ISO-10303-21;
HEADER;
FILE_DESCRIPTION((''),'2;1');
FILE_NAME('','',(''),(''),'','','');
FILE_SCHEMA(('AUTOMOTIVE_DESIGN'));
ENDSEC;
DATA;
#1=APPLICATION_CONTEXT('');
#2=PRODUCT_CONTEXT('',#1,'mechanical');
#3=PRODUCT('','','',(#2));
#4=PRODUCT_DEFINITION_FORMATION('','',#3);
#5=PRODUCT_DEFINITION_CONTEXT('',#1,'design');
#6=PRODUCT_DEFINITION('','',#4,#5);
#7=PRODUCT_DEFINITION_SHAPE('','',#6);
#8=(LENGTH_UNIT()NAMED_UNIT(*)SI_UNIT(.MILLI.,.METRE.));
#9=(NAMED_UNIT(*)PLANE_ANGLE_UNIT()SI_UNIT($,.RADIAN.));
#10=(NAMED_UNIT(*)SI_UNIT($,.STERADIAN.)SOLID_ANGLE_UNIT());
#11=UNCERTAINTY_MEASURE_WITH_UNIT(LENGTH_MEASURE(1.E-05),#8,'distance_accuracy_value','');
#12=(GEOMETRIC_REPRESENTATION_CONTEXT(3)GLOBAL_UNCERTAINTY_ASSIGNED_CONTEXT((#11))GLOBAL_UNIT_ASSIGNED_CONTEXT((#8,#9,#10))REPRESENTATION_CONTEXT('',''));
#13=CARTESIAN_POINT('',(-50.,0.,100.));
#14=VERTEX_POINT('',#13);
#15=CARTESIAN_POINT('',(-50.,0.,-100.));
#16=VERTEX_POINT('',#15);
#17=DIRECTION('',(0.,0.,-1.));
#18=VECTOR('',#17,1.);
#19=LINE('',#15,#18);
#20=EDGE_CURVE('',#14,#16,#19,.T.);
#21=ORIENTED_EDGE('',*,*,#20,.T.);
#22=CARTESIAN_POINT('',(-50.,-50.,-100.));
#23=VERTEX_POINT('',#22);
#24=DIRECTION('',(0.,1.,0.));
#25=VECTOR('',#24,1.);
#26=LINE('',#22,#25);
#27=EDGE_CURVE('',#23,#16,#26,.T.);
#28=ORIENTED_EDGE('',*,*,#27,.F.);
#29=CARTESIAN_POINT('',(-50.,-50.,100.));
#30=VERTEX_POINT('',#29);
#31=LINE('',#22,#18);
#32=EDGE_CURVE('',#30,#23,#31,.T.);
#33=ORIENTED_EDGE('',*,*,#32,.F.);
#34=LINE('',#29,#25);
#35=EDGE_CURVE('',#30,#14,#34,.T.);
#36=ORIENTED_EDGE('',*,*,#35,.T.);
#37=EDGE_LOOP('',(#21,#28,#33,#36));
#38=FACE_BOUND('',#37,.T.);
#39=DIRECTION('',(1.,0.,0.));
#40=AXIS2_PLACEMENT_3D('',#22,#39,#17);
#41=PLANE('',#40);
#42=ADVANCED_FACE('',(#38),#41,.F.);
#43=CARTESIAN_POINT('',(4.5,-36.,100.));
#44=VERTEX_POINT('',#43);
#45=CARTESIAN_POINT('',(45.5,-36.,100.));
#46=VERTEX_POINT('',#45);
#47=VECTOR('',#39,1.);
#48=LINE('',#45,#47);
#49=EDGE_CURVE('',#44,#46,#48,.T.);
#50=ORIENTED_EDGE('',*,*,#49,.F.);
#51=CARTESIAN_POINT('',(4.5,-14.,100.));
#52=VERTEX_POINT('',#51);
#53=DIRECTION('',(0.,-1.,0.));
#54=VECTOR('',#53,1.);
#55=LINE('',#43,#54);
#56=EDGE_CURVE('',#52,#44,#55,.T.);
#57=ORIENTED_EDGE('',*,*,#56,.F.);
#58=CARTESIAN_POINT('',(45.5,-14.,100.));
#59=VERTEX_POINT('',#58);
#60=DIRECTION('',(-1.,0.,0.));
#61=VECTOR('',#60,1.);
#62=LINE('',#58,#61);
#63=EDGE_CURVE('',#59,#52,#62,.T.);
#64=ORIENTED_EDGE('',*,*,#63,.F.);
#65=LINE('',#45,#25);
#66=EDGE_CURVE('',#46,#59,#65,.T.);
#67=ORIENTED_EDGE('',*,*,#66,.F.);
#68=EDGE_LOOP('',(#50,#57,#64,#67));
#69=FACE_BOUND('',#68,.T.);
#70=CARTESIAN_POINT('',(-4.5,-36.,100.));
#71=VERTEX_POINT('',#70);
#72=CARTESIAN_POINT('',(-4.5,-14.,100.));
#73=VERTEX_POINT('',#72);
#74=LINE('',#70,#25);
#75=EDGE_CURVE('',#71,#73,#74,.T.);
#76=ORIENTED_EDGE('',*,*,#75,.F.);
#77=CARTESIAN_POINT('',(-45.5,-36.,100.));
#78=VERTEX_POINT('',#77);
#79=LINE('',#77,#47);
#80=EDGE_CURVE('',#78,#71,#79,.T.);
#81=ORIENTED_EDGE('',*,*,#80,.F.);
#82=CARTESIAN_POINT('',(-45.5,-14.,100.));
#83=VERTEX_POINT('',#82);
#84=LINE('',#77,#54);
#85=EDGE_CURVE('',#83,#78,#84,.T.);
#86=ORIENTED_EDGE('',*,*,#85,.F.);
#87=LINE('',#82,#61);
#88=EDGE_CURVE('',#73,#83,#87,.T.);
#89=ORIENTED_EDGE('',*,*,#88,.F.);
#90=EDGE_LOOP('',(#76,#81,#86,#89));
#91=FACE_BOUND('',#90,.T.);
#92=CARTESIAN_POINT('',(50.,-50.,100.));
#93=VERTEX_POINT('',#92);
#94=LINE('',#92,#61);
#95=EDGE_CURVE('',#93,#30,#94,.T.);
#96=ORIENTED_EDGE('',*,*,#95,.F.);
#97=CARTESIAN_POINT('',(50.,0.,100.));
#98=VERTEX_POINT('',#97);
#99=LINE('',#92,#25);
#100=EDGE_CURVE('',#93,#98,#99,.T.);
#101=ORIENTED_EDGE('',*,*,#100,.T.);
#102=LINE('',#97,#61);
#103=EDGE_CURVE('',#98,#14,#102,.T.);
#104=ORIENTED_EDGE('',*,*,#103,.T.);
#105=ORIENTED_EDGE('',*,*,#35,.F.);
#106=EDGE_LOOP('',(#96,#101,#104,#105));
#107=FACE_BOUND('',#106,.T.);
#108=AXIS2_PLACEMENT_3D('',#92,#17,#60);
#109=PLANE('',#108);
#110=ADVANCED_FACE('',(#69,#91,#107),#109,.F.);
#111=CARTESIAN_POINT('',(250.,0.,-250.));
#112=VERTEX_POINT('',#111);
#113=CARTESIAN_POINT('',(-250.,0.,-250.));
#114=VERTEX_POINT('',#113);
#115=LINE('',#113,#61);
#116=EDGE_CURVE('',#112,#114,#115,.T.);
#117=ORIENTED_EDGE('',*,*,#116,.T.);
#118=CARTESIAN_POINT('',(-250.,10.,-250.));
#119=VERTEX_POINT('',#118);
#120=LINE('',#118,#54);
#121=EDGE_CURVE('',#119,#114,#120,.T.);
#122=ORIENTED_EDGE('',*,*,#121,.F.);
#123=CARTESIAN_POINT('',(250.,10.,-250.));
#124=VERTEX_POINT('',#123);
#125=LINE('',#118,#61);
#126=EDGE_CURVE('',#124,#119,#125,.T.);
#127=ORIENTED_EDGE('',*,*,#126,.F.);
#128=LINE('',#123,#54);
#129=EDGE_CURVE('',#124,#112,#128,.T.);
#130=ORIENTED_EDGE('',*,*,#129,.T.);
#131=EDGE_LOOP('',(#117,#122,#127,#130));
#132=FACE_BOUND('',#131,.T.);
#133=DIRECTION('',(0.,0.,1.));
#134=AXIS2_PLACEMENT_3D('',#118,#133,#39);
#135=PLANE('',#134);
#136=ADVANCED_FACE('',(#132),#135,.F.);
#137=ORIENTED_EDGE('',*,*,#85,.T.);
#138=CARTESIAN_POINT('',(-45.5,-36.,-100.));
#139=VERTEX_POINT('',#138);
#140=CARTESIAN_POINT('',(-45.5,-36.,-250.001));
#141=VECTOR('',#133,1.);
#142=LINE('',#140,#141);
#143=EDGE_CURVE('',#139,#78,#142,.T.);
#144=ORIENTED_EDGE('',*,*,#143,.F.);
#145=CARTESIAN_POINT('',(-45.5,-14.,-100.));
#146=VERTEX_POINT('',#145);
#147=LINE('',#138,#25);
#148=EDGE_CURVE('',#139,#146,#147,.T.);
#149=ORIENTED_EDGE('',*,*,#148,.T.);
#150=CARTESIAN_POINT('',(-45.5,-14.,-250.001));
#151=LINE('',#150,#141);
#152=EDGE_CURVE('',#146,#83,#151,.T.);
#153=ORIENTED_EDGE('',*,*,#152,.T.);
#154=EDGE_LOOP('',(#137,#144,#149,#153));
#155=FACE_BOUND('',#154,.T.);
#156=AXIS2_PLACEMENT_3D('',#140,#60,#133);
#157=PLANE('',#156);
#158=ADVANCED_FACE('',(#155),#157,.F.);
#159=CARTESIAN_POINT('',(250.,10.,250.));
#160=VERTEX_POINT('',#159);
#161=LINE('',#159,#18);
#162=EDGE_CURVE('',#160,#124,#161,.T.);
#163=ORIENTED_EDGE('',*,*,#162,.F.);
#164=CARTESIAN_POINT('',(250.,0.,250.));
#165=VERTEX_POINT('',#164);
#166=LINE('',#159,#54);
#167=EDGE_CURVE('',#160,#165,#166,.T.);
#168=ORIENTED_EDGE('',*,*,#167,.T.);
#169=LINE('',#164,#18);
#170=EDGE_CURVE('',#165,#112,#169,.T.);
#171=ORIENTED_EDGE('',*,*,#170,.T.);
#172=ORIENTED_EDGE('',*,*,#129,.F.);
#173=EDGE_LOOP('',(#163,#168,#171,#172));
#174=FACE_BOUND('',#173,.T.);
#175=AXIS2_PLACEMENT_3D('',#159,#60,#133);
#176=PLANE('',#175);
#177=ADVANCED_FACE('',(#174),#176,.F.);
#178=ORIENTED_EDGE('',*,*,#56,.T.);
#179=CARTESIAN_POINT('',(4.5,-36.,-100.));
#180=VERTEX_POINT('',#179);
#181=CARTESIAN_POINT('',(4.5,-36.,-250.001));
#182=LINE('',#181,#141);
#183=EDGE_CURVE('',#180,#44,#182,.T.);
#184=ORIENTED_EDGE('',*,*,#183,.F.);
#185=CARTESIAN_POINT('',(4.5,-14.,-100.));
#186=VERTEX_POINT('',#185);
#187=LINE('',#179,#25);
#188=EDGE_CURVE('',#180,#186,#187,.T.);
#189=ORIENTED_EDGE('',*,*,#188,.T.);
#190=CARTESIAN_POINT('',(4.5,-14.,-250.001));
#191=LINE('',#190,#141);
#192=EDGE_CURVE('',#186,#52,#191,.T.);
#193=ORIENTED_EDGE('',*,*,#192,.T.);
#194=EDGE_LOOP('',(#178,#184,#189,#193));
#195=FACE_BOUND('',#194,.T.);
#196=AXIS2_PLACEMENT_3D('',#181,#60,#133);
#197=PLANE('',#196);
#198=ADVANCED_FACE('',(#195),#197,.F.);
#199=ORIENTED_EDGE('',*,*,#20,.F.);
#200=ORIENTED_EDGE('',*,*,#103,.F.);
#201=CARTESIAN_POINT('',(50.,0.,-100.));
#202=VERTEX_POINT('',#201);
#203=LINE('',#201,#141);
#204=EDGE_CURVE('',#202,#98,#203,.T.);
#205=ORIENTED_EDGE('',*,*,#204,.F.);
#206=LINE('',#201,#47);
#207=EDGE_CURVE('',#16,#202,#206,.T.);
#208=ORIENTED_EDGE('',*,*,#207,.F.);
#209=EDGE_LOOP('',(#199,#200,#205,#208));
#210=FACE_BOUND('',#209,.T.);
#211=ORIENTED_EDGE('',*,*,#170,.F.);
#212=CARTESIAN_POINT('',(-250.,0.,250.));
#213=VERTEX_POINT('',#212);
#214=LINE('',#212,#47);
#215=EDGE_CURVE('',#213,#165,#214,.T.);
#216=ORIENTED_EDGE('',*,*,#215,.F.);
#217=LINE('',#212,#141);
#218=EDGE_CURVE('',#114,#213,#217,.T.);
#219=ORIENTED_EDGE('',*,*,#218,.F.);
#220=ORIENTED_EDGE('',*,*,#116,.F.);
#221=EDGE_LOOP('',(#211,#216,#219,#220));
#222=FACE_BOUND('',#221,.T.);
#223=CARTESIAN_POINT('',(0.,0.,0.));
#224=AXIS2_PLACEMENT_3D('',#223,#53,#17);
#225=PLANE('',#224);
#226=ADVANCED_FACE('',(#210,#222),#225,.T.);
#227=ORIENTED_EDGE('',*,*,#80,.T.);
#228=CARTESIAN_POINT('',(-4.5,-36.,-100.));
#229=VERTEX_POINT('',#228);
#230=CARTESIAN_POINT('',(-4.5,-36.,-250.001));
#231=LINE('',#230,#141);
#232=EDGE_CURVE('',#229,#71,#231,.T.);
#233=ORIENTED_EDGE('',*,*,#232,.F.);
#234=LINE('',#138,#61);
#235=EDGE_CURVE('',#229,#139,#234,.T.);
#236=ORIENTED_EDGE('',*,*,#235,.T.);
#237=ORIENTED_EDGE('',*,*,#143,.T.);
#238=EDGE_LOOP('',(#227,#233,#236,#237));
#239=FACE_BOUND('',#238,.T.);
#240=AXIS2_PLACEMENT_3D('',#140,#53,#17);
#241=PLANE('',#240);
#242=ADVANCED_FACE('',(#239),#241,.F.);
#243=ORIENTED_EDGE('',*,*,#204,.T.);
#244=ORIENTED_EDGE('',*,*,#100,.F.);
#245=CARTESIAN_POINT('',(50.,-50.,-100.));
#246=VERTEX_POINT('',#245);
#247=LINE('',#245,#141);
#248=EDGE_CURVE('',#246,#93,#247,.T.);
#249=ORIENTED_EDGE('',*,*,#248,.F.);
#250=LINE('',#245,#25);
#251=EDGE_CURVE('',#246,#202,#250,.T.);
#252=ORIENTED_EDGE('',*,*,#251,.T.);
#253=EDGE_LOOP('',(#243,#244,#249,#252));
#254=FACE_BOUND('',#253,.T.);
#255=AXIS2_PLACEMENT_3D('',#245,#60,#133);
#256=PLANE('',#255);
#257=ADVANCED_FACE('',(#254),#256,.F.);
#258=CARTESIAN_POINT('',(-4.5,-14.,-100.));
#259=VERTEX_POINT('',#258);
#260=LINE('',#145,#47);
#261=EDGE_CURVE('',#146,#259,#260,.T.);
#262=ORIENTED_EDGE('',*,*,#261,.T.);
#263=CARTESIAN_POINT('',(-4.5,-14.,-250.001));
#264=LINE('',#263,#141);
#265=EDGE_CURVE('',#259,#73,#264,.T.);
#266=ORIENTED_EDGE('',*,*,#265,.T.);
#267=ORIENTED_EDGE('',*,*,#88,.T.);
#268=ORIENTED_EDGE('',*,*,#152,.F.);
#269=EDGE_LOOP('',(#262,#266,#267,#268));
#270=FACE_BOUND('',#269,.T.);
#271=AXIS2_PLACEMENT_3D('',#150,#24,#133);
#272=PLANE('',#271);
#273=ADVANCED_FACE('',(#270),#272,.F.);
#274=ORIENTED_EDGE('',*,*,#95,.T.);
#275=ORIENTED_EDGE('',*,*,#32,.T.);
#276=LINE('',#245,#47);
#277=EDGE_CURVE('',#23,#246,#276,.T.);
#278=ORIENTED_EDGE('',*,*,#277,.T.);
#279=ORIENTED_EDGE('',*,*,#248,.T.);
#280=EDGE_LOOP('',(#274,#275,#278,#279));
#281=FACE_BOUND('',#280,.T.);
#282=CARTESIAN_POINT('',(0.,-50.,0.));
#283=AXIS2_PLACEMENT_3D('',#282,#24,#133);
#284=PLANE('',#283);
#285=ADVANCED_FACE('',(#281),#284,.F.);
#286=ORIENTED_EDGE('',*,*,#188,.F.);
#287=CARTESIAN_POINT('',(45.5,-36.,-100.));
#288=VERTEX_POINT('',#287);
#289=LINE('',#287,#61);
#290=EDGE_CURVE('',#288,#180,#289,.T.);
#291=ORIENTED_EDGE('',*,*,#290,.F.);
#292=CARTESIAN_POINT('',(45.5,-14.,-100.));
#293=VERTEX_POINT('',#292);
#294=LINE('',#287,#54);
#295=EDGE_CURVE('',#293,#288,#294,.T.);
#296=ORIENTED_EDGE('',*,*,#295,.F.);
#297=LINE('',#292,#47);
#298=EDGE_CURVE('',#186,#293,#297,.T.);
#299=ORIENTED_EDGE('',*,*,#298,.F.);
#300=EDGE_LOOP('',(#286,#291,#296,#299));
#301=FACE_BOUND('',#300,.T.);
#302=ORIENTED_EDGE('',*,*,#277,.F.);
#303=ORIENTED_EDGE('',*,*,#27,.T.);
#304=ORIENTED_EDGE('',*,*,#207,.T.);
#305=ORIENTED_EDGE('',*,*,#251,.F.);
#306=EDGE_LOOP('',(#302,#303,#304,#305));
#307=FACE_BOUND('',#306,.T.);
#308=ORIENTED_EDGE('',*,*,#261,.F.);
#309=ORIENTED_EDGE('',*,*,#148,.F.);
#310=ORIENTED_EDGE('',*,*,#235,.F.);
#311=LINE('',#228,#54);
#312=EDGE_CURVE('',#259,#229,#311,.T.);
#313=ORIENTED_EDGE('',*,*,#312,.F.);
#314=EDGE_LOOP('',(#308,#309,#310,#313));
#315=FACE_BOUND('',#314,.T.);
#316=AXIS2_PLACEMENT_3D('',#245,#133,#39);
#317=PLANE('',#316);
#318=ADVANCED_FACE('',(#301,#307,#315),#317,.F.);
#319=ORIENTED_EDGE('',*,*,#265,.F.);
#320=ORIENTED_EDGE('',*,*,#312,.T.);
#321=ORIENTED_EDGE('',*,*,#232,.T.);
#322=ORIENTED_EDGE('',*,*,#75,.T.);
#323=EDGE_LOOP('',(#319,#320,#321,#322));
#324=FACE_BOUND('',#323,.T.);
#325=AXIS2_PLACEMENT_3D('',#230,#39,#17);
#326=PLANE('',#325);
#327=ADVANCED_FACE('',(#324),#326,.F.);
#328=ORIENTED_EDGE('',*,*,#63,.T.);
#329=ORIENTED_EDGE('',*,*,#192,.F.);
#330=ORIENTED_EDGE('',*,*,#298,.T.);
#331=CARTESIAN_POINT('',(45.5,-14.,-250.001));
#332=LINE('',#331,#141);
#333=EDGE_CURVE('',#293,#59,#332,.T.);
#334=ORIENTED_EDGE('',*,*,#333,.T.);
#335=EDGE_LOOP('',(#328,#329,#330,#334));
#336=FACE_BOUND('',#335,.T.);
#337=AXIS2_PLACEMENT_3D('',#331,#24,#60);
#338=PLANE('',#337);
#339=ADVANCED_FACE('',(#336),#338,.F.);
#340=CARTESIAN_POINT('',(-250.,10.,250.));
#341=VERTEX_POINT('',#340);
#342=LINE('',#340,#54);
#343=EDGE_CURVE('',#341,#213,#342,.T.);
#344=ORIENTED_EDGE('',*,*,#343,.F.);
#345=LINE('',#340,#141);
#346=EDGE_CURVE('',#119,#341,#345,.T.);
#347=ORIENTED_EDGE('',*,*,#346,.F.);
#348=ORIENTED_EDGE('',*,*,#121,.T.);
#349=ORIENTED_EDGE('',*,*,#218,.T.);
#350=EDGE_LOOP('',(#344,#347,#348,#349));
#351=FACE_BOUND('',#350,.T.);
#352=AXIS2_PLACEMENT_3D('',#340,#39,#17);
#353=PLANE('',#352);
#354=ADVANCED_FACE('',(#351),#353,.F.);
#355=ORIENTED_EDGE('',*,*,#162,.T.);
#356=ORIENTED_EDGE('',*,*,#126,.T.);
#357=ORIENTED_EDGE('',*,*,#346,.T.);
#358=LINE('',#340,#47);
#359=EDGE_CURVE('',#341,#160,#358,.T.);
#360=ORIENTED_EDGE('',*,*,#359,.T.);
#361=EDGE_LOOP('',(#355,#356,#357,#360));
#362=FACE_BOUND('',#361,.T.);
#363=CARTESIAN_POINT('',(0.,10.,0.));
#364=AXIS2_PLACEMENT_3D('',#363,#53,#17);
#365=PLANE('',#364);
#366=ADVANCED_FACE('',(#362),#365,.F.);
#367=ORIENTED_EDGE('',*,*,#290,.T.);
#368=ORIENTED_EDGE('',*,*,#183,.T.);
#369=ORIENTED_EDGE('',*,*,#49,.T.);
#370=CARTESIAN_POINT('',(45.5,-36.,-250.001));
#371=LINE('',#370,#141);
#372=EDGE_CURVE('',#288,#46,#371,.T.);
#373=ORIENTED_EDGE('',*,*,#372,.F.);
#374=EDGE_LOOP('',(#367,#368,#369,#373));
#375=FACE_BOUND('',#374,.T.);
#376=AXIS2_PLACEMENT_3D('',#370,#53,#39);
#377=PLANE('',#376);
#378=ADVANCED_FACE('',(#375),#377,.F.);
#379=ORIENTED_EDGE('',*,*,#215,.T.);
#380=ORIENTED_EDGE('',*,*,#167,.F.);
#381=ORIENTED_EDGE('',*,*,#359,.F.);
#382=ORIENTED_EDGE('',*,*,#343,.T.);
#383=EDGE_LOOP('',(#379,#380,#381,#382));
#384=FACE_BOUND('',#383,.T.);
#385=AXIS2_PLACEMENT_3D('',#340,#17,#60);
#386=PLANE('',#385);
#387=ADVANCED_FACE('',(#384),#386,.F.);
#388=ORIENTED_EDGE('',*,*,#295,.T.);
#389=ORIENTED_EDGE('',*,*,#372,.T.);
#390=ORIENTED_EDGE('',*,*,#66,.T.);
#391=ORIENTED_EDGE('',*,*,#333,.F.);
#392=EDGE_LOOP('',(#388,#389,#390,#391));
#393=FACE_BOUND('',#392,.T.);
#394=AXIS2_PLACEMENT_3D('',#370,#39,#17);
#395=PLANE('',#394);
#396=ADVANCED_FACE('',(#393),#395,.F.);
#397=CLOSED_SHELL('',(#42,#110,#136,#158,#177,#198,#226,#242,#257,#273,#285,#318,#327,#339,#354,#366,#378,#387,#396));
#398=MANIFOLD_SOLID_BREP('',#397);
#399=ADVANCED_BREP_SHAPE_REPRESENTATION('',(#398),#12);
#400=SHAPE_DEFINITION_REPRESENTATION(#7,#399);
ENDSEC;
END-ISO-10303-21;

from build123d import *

# Parameters (mm, degrees)
SKETCH1_W           = 500
SKETCH1_H           = 500
BOSS_EXTRUDE1_DEPTH = 10
SKETCH2_W           = 100
SKETCH2_H           = 200
BOSS_EXTRUDE2_DEPTH = 50
CUT_EXTRUDE1_REACH  = 435.013
SKETCH3_W           = 41
SKETCH3_H           = 22


with BuildPart() as part:
    # Sketch1 → Boss-Extrude1 (new body)
    with BuildSketch(Plane(origin=(0, 0, 0), x_dir=(1, 0, 0), z_dir=(0, 1, 0))):
        Rectangle(SKETCH1_W, SKETCH1_H)
    extrude(amount=BOSS_EXTRUDE1_DEPTH)

    # Sketch2 → Boss-Extrude2 (add)
    with BuildSketch(Plane.XZ):
        Rectangle(SKETCH2_W, SKETCH2_H)
    extrude(amount=BOSS_EXTRUDE2_DEPTH)

    # Sketch3 → Cut-Extrude1 (cut, up to next)
    with BuildSketch(Plane.XY.offset(100), mode=Mode.PRIVATE) as cut_extrude1_sk1:
        with Locations((-25, -25)):
            Rectangle(SKETCH3_W, SKETCH3_H)
    cut_extrude1_tool1 = extrude(cut_extrude1_sk1.sketch, amount=-CUT_EXTRUDE1_REACH, mode=Mode.PRIVATE) & part.part
    # Sketch3 → Cut-Extrude1 (cut, up to next)
    with BuildSketch(Plane.XY.offset(100), mode=Mode.PRIVATE) as cut_extrude1_sk2:
        with Locations((25, -25)):
            Rectangle(SKETCH3_W, SKETCH3_H)
    cut_extrude1_tool2 = extrude(cut_extrude1_sk2.sketch, amount=-CUT_EXTRUDE1_REACH, mode=Mode.PRIVATE) & part.part
    add(cut_extrude1_tool1.solids().sort_by_distance((-25, -25, 100))[0], mode=Mode.SUBTRACT)
    add(cut_extrude1_tool2.solids().sort_by_distance((25, -25, 100))[0], mode=Mode.SUBTRACT)


solid = part.part
